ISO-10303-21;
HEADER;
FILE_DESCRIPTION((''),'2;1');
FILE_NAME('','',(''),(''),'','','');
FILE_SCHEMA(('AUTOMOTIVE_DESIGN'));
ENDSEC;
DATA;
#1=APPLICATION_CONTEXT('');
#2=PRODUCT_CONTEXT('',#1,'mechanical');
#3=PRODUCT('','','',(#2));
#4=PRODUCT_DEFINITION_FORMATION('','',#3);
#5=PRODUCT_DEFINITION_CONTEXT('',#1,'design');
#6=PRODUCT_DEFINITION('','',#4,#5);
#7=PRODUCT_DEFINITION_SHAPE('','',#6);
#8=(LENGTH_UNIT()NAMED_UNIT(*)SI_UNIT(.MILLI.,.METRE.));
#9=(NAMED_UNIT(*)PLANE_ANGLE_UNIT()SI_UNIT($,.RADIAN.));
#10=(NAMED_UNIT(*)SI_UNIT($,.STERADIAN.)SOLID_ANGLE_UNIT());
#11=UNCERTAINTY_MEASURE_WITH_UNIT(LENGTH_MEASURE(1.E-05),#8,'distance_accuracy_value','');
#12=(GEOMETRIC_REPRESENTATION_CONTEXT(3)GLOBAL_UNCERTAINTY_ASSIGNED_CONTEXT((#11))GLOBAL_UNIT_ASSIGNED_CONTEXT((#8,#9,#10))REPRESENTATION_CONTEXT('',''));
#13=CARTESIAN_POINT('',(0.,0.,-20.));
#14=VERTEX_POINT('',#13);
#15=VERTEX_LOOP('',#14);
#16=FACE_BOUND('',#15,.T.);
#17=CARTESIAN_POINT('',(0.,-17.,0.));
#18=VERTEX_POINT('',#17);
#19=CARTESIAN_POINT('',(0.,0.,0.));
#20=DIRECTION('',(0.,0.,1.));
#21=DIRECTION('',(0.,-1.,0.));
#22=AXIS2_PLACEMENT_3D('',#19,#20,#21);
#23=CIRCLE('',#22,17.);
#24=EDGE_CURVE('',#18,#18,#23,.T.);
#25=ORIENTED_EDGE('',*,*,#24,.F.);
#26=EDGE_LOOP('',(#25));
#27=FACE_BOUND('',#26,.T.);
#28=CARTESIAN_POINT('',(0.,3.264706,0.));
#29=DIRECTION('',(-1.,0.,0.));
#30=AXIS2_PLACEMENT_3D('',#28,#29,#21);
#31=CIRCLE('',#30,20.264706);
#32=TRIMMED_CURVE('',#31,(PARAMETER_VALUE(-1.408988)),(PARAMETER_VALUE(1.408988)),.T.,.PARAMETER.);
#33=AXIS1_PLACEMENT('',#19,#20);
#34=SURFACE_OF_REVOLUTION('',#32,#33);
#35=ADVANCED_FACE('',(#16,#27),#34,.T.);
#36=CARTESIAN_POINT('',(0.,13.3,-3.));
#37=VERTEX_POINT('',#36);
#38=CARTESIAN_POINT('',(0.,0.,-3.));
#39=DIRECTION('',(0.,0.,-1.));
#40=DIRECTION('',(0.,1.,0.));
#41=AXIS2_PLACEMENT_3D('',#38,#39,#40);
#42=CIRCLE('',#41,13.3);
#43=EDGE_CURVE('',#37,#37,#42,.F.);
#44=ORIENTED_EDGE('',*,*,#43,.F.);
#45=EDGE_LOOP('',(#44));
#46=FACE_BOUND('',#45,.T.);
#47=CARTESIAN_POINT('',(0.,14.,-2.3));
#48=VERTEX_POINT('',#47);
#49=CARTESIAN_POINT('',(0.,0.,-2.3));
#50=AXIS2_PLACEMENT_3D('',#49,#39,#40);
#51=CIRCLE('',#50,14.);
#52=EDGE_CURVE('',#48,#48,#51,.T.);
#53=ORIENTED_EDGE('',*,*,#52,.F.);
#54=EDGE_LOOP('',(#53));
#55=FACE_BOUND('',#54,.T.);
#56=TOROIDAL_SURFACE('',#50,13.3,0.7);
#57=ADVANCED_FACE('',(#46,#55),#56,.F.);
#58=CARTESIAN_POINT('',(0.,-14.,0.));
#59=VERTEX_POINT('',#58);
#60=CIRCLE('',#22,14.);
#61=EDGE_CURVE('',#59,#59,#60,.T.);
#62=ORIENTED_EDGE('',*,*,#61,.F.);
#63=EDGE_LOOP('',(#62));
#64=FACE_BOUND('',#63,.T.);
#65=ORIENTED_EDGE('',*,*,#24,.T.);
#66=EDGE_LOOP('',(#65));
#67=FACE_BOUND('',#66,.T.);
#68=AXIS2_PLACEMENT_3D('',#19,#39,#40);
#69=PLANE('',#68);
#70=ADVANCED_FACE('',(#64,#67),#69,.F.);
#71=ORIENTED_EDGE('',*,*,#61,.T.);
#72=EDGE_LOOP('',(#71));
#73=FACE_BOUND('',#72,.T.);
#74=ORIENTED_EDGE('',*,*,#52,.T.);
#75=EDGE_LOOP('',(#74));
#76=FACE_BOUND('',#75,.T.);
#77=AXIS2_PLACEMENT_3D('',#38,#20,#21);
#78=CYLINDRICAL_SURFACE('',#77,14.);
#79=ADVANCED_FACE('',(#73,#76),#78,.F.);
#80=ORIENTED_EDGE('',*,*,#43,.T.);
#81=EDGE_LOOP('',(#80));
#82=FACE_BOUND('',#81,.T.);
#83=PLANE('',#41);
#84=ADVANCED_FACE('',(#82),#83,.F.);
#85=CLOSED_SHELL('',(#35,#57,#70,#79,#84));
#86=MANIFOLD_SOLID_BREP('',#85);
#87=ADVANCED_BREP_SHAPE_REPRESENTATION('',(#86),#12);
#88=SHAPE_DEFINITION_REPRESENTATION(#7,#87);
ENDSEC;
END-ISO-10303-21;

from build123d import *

# Parameters (mm, degrees)
FILLET1_R = 0.7


with BuildPart() as part:
    # Sketch1 → Revolve1 (revolve)
    with BuildSketch(Plane(origin=(0, 0, 0), x_dir=(0, 0, -1), z_dir=(1, 0, 0)), mode=Mode.PRIVATE) as revolve1_sk:
        with BuildLine():
            Line((3, 14), (3, 0))
            Line((3, 0), (20, 0))
            ThreePointArc((20, 0), (13.124404748, 12.175770292), (0, 17))
            Line((0, 17), (0, 14))
            Line((0, 14), (3, 14))
        make_face()
    revolve(revolve1_sk.sketch.rotate(Axis((0, 0, -3), (0, 0, -1)), 180), axis=Axis((0, 0, -3), (0, 0, -1)))

    # Fillet1
    fillet1_edges = [part.edges().sort_by_distance(p)[0] for p in [
        (0, 14, -3),
    ]]
    fillet(fillet1_edges, radius=FILLET1_R)


solid = part.part
